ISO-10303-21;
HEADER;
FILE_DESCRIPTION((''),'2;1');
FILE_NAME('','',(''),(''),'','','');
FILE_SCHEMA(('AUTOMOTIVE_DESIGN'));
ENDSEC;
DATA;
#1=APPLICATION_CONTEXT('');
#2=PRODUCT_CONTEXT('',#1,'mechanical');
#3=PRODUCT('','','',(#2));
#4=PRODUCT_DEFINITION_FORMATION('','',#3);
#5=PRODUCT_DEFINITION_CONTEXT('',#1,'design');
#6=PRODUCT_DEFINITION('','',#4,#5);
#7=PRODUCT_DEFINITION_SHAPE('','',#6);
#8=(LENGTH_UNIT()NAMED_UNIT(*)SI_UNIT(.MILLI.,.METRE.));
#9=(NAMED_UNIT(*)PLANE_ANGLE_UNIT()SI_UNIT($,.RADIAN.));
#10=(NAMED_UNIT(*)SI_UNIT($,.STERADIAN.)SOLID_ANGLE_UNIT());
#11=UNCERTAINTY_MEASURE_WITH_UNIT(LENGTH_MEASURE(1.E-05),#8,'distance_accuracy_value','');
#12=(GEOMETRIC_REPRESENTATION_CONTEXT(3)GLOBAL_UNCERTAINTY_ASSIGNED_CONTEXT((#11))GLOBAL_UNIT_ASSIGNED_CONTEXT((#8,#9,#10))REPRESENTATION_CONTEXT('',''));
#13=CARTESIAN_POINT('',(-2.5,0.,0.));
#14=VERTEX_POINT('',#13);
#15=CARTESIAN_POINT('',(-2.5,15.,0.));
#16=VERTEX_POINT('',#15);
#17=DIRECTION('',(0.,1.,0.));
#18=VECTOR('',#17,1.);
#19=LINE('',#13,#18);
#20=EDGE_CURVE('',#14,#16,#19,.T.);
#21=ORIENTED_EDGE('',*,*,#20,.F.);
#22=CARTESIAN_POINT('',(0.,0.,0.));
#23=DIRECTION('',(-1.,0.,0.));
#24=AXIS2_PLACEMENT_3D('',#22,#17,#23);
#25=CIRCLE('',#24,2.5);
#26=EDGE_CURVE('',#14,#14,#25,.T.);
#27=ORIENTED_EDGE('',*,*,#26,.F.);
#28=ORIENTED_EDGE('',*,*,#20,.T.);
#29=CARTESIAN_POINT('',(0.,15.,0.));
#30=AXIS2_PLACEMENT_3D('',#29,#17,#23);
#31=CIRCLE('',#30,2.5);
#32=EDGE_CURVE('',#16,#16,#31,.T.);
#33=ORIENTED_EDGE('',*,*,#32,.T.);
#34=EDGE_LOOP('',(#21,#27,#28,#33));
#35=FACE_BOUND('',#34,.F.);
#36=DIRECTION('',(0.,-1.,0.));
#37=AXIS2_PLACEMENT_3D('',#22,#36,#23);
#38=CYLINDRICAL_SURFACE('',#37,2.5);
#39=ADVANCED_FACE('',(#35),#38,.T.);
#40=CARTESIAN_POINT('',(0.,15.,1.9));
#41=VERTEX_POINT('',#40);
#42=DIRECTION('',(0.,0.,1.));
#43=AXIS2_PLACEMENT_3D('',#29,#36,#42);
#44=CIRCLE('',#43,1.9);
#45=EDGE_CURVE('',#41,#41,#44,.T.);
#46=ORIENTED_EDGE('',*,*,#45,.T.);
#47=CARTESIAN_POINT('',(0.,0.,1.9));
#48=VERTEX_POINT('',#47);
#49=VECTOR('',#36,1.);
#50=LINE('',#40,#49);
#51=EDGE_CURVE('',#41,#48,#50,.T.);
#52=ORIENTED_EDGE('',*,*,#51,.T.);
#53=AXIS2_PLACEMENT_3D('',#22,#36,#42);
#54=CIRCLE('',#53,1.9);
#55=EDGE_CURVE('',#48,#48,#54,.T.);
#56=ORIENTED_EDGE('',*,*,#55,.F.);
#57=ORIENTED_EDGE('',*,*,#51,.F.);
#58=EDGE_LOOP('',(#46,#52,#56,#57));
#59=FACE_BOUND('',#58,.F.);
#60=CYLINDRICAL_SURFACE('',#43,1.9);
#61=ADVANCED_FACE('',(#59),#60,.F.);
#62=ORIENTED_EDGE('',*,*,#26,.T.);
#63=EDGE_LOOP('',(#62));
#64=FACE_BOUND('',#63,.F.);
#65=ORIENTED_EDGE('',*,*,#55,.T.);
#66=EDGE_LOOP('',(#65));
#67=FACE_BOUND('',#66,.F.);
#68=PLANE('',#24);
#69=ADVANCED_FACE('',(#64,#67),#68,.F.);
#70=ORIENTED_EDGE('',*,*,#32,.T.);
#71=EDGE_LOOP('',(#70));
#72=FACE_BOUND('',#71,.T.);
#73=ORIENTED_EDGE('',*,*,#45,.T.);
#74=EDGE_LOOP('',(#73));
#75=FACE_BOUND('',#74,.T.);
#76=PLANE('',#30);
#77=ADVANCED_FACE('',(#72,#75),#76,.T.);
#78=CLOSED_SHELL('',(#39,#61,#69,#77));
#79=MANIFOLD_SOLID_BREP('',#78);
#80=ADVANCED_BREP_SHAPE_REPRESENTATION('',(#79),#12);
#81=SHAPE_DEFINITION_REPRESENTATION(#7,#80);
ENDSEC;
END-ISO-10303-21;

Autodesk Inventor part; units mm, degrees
ref_plane "YZ Plane" through (0, 0, 0) normal (1, 0, 0) x (0, 1, 0)
ref_plane "XZ Plane" through (0, 0, 0) normal (0, 1, 0) x (-1, 0, 0)
ref_plane "XY Plane" through (0, 0, 0) normal (0, 0, 1) x (1, 0, 0)
sketch "Sketch1" plane through (0, 0, 0) normal (0, 1, 0) x (-1, 0, 0)
  circle A0 centre (0, 0) radius 2.5
  dimension "d0" = 5
extrude "Extrusion1" add sketch "Sketch1" along normal blind 15
sketch "Sketch2" plane through (0, 15, 0) normal (0, 1, 0) x (1, 0, 0)
  point P0 (0, 0)
  point P1 (0, 0)
hole "Hole1" at (0, 15, 0) direction (0, -1, 0) diameter 3.8 end through all counterbore diameter 11 counterbore depth 0 clearance for "Hex Head Cap Screw ISO 24014 (Spotface)" size "M3" standard "ISO"
properties part number "distance_long" material "ABS Plastic"
